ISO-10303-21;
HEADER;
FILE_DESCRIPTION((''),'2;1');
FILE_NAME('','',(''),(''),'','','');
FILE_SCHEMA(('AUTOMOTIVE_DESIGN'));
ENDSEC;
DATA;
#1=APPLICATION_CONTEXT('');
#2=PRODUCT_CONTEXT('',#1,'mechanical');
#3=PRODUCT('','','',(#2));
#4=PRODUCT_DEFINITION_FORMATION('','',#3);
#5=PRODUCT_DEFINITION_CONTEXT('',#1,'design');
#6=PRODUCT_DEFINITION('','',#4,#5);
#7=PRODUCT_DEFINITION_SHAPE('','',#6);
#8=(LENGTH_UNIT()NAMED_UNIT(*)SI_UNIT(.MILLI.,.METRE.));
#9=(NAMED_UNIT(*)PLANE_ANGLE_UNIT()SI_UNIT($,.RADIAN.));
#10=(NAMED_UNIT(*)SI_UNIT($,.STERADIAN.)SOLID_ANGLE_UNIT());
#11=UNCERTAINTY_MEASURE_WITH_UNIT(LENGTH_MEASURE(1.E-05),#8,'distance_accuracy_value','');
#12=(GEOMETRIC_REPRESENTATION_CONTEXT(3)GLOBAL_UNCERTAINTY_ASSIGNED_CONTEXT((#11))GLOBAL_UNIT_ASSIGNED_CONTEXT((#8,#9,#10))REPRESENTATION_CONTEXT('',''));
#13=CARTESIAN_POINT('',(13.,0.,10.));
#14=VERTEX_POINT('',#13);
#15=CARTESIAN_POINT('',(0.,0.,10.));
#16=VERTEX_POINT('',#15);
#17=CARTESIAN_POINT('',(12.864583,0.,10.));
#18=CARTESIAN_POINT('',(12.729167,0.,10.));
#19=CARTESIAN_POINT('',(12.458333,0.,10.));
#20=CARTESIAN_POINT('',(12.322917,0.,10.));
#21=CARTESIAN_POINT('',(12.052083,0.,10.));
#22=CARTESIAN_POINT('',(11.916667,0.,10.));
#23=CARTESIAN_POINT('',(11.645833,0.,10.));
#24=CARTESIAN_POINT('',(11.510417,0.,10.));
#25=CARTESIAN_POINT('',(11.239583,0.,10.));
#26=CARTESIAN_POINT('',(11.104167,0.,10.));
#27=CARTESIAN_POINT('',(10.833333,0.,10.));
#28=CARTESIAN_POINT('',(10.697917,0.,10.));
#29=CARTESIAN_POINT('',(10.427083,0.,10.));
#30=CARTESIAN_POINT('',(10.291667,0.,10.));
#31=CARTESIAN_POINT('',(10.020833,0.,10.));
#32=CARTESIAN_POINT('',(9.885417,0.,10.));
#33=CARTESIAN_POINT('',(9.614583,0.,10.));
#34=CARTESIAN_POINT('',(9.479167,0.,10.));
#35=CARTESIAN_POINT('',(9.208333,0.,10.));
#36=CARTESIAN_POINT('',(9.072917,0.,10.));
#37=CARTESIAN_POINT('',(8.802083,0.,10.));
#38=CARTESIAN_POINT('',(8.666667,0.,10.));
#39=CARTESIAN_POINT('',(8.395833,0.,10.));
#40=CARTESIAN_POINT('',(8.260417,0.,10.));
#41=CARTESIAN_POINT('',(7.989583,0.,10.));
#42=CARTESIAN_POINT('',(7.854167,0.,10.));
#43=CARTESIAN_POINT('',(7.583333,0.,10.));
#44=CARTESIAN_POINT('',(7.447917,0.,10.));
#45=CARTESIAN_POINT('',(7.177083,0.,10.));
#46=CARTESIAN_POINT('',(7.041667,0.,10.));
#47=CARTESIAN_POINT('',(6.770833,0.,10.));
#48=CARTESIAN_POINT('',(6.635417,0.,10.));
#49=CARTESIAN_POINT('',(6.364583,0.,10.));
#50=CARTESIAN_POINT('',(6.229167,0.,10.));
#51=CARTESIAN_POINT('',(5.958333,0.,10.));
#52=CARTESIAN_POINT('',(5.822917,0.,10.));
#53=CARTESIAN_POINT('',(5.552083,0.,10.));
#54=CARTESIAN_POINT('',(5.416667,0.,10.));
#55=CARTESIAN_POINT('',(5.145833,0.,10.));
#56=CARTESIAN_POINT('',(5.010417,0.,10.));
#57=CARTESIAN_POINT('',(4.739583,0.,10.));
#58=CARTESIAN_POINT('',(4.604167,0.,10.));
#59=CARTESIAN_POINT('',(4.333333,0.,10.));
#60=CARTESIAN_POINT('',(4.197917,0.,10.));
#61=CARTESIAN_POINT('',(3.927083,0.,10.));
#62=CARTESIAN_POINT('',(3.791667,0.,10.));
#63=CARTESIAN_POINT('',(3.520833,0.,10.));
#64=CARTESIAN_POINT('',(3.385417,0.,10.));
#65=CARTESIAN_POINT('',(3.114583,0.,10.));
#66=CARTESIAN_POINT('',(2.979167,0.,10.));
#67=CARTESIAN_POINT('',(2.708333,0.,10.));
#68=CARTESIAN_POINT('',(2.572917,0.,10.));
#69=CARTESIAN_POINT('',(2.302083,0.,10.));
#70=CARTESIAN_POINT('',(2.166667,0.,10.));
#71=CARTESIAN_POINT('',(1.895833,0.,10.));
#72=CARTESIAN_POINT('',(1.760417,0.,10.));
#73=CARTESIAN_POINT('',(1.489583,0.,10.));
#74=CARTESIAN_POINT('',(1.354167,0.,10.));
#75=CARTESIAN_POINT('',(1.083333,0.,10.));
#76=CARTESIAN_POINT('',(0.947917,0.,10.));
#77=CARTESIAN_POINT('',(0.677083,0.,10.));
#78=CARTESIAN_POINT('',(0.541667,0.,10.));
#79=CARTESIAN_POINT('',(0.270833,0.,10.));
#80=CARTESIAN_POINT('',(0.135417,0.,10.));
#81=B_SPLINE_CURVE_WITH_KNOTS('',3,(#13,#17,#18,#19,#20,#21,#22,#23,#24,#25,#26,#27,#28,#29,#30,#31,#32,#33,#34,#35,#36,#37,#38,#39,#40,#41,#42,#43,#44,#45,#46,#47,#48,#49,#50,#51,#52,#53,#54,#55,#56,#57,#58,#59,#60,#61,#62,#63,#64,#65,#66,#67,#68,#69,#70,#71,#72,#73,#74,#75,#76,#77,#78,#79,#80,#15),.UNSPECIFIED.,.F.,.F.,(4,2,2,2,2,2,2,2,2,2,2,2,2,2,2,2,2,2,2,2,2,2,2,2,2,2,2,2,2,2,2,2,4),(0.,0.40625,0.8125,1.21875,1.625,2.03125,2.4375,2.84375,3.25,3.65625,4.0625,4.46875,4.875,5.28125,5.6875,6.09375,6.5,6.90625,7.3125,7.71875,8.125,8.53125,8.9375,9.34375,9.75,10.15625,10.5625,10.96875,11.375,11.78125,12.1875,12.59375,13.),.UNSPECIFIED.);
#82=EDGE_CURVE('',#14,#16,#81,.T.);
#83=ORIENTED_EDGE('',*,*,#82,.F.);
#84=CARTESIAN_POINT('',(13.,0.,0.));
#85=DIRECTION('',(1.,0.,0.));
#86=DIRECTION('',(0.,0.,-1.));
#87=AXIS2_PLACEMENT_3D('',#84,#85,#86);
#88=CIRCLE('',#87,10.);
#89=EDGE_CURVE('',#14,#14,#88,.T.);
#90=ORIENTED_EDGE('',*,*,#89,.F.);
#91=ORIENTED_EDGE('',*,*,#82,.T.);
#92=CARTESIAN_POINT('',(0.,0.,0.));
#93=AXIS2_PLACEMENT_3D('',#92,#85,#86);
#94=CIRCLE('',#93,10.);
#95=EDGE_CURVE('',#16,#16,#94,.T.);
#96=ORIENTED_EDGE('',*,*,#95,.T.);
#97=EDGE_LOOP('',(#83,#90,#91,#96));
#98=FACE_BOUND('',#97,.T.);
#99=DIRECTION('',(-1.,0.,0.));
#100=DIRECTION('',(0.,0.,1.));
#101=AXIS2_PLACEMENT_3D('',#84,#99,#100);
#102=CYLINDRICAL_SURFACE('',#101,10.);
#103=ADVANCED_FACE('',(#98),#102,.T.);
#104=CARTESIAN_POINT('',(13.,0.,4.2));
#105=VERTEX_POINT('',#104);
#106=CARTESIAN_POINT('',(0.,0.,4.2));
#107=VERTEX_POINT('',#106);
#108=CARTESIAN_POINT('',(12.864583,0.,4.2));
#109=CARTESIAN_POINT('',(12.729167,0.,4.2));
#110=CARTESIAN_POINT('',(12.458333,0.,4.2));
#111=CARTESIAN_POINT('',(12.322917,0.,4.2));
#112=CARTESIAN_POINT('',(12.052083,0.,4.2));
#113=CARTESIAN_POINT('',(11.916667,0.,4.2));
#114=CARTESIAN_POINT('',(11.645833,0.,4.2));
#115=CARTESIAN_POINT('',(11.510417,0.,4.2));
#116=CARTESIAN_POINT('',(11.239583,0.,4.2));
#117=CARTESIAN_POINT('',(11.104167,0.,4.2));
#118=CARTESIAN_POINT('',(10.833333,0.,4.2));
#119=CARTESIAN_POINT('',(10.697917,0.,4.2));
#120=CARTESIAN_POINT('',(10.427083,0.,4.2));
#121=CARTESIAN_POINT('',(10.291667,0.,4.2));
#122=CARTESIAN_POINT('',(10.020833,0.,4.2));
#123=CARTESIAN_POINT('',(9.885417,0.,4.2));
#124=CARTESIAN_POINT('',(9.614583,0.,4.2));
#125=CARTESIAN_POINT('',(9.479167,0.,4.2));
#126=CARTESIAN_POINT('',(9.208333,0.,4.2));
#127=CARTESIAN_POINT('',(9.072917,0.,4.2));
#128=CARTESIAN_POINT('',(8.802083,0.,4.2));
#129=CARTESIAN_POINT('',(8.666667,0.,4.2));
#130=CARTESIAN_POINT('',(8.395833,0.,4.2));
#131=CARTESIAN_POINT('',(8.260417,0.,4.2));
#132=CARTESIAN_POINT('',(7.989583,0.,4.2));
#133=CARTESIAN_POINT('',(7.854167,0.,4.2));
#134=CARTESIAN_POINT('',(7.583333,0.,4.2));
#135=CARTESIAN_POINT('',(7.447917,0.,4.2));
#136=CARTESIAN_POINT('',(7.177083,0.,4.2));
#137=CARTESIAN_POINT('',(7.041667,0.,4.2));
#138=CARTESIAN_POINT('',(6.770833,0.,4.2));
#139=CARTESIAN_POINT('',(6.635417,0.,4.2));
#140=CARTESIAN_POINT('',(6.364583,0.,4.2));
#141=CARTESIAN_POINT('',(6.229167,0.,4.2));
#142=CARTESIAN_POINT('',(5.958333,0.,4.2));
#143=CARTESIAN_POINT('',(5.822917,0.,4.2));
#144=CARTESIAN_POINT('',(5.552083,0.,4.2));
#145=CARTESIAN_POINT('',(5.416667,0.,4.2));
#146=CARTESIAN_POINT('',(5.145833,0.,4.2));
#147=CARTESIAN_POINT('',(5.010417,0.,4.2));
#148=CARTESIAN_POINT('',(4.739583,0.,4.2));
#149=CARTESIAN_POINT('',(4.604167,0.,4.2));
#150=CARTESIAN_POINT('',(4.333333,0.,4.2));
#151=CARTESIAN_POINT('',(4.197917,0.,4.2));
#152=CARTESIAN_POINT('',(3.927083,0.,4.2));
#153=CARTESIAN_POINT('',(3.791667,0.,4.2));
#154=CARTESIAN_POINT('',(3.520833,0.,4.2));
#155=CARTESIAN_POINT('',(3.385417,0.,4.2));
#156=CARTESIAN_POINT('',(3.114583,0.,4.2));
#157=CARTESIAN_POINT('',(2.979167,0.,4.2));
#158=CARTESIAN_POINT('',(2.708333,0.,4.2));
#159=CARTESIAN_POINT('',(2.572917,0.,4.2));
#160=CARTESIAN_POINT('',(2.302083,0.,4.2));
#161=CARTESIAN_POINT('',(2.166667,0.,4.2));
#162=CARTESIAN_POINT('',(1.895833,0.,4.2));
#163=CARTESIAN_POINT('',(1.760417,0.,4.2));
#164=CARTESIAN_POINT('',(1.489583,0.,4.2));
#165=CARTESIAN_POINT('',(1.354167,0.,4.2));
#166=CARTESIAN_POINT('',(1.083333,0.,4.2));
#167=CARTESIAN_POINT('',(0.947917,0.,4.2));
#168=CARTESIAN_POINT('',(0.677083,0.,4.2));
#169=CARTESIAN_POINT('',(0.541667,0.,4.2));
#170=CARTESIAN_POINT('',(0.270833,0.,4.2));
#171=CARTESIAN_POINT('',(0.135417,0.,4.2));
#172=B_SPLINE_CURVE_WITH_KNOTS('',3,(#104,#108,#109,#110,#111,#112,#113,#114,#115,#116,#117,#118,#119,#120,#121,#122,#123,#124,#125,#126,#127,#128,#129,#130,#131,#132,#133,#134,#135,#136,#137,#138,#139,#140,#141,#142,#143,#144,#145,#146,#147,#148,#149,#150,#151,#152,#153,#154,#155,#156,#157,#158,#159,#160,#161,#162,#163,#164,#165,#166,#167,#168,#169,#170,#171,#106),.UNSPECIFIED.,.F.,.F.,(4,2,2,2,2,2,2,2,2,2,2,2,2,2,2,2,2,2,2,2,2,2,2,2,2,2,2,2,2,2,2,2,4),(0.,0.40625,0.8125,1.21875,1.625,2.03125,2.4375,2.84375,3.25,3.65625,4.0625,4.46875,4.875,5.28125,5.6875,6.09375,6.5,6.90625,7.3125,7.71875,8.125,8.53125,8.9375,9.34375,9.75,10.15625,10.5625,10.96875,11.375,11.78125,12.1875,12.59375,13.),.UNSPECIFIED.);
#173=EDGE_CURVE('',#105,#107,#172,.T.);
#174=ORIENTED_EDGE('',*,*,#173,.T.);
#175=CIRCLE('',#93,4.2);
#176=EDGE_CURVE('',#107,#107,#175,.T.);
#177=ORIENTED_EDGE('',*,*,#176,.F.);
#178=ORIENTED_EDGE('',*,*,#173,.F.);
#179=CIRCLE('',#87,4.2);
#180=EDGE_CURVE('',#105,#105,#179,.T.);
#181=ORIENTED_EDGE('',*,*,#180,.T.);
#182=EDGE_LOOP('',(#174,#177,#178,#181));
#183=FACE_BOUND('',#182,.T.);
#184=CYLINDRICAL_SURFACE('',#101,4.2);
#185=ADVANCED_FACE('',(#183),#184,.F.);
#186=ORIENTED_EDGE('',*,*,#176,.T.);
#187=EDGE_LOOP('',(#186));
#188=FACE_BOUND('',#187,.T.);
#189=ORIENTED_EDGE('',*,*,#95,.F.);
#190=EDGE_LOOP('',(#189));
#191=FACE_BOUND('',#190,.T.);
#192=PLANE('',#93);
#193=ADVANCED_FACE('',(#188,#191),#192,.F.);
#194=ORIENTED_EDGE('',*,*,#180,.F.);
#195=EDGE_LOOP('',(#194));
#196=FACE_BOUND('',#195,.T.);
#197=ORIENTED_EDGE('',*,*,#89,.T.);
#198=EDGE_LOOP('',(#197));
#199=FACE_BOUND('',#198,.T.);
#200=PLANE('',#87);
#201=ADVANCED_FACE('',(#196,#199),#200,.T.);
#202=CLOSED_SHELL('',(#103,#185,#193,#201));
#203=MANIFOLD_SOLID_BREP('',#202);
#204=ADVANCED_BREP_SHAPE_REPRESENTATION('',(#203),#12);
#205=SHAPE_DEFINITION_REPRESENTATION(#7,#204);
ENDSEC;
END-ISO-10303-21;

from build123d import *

# Parameters (mm, degrees)
SKETCH1_R           = 10
SKETCH1_R_2         = 4.2
BOSS_EXTRUDE1_DEPTH = 13


with BuildPart() as part:
    # Sketch1 → Boss-Extrude1 (new body)
    with BuildSketch(Plane(origin=(0, 0, 0), x_dir=(0, 0, -1), z_dir=(1, 0, 0))):
        with Locations(Location((0, 0, 0), (0, 0, 180))):
            Circle(SKETCH1_R)
        with Locations(Location((0, 0, 0), (0, 0, 180))):
            Circle(SKETCH1_R_2, mode=Mode.SUBTRACT)
    extrude(amount=BOSS_EXTRUDE1_DEPTH)


solid = part.part
